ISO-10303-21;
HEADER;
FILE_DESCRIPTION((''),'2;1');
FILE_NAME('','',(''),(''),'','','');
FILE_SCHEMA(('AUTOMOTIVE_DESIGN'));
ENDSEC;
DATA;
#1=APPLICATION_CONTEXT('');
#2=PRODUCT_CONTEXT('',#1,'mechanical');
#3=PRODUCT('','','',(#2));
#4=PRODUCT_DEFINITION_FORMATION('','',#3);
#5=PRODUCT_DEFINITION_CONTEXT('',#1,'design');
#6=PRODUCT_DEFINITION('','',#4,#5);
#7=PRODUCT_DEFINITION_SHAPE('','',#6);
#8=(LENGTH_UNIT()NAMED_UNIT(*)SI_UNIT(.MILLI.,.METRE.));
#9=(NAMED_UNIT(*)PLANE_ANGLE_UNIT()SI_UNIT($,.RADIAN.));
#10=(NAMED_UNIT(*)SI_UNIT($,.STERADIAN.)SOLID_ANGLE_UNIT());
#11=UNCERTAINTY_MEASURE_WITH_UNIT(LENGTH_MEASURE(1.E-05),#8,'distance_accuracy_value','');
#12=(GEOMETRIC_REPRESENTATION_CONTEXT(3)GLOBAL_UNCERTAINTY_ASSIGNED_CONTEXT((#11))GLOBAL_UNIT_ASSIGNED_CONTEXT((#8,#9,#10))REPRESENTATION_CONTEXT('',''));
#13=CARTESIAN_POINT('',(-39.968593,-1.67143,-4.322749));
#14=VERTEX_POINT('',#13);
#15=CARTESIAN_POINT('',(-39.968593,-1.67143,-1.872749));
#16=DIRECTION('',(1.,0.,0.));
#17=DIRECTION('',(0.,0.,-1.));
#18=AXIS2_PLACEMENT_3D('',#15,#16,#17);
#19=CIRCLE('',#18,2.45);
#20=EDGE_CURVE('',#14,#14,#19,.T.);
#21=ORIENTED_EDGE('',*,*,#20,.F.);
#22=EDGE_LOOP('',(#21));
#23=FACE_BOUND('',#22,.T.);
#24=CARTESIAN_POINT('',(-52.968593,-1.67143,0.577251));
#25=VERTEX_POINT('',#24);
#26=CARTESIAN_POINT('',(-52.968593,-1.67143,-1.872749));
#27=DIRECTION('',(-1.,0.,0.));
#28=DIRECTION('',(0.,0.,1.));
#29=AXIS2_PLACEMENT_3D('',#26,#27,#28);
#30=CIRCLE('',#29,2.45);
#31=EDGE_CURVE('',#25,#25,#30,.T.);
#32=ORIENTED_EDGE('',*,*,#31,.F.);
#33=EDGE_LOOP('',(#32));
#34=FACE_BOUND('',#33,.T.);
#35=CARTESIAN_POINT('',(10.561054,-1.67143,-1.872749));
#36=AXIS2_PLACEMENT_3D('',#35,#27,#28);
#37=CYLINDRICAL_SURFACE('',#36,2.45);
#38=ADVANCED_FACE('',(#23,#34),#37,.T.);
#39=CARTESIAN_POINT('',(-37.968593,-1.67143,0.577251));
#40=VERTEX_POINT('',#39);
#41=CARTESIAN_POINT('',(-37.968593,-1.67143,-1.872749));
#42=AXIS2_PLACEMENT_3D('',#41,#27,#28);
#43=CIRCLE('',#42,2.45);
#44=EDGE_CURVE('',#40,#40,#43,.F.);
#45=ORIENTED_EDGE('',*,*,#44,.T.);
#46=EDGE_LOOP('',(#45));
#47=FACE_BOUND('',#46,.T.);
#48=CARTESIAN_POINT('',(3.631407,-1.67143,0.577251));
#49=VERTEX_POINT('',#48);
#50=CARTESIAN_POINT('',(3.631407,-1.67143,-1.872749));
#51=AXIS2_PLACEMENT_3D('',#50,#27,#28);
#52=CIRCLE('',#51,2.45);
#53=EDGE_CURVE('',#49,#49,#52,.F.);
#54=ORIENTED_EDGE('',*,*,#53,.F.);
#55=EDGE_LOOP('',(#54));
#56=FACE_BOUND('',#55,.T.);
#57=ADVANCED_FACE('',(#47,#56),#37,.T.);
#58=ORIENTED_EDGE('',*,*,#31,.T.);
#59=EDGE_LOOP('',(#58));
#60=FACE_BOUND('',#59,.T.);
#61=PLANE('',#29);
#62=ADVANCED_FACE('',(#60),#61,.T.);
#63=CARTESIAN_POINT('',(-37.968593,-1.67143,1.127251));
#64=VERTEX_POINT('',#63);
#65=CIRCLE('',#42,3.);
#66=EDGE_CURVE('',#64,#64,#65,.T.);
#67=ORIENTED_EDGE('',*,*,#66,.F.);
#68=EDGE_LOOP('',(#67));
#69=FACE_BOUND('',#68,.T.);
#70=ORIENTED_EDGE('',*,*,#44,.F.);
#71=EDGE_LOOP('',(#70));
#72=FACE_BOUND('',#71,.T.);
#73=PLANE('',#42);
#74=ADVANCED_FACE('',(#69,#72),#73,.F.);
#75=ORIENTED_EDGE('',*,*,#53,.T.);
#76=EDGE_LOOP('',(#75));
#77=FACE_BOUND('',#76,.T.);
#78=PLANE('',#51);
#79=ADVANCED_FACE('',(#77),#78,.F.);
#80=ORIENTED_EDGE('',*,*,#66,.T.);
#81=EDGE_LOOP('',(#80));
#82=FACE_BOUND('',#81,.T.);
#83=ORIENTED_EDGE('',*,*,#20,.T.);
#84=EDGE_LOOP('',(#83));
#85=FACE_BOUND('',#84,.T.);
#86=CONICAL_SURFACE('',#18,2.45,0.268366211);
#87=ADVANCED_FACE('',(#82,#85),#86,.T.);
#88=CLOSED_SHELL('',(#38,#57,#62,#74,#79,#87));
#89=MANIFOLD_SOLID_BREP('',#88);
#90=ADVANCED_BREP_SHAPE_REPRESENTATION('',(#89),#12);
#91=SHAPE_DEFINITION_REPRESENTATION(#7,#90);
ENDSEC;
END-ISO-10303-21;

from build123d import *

# Parameters (mm, degrees)
SKETCH3_R           = 2.45
BOSS_EXTRUDE1_DEPTH = 56.6
SKETCH5_R           = 3
SKETCH4_R           = 2.45


with BuildPart() as part:
    # Sketch3 → Boss-Extrude1 (new body)
    with BuildSketch(Plane.ZY.offset(52.96859286)):
        with Locations((-1.872748601, -1.671429972)):
            Circle(SKETCH3_R)
    extrude(amount=-BOSS_EXTRUDE1_DEPTH)

    # Sketch5 → Loft1 section 0
    with BuildSketch(Plane.ZY.offset(37.96859286)):
        with Locations((-1.872748601, -1.671429972)):
            Circle(SKETCH5_R)
    # Sketch4 → Loft1 section 1
    with BuildSketch(Plane.ZY.offset(39.96859286)):
        with Locations((-1.872748601, -1.671429972)):
            Circle(SKETCH4_R)
    loft()


solid = part.part
